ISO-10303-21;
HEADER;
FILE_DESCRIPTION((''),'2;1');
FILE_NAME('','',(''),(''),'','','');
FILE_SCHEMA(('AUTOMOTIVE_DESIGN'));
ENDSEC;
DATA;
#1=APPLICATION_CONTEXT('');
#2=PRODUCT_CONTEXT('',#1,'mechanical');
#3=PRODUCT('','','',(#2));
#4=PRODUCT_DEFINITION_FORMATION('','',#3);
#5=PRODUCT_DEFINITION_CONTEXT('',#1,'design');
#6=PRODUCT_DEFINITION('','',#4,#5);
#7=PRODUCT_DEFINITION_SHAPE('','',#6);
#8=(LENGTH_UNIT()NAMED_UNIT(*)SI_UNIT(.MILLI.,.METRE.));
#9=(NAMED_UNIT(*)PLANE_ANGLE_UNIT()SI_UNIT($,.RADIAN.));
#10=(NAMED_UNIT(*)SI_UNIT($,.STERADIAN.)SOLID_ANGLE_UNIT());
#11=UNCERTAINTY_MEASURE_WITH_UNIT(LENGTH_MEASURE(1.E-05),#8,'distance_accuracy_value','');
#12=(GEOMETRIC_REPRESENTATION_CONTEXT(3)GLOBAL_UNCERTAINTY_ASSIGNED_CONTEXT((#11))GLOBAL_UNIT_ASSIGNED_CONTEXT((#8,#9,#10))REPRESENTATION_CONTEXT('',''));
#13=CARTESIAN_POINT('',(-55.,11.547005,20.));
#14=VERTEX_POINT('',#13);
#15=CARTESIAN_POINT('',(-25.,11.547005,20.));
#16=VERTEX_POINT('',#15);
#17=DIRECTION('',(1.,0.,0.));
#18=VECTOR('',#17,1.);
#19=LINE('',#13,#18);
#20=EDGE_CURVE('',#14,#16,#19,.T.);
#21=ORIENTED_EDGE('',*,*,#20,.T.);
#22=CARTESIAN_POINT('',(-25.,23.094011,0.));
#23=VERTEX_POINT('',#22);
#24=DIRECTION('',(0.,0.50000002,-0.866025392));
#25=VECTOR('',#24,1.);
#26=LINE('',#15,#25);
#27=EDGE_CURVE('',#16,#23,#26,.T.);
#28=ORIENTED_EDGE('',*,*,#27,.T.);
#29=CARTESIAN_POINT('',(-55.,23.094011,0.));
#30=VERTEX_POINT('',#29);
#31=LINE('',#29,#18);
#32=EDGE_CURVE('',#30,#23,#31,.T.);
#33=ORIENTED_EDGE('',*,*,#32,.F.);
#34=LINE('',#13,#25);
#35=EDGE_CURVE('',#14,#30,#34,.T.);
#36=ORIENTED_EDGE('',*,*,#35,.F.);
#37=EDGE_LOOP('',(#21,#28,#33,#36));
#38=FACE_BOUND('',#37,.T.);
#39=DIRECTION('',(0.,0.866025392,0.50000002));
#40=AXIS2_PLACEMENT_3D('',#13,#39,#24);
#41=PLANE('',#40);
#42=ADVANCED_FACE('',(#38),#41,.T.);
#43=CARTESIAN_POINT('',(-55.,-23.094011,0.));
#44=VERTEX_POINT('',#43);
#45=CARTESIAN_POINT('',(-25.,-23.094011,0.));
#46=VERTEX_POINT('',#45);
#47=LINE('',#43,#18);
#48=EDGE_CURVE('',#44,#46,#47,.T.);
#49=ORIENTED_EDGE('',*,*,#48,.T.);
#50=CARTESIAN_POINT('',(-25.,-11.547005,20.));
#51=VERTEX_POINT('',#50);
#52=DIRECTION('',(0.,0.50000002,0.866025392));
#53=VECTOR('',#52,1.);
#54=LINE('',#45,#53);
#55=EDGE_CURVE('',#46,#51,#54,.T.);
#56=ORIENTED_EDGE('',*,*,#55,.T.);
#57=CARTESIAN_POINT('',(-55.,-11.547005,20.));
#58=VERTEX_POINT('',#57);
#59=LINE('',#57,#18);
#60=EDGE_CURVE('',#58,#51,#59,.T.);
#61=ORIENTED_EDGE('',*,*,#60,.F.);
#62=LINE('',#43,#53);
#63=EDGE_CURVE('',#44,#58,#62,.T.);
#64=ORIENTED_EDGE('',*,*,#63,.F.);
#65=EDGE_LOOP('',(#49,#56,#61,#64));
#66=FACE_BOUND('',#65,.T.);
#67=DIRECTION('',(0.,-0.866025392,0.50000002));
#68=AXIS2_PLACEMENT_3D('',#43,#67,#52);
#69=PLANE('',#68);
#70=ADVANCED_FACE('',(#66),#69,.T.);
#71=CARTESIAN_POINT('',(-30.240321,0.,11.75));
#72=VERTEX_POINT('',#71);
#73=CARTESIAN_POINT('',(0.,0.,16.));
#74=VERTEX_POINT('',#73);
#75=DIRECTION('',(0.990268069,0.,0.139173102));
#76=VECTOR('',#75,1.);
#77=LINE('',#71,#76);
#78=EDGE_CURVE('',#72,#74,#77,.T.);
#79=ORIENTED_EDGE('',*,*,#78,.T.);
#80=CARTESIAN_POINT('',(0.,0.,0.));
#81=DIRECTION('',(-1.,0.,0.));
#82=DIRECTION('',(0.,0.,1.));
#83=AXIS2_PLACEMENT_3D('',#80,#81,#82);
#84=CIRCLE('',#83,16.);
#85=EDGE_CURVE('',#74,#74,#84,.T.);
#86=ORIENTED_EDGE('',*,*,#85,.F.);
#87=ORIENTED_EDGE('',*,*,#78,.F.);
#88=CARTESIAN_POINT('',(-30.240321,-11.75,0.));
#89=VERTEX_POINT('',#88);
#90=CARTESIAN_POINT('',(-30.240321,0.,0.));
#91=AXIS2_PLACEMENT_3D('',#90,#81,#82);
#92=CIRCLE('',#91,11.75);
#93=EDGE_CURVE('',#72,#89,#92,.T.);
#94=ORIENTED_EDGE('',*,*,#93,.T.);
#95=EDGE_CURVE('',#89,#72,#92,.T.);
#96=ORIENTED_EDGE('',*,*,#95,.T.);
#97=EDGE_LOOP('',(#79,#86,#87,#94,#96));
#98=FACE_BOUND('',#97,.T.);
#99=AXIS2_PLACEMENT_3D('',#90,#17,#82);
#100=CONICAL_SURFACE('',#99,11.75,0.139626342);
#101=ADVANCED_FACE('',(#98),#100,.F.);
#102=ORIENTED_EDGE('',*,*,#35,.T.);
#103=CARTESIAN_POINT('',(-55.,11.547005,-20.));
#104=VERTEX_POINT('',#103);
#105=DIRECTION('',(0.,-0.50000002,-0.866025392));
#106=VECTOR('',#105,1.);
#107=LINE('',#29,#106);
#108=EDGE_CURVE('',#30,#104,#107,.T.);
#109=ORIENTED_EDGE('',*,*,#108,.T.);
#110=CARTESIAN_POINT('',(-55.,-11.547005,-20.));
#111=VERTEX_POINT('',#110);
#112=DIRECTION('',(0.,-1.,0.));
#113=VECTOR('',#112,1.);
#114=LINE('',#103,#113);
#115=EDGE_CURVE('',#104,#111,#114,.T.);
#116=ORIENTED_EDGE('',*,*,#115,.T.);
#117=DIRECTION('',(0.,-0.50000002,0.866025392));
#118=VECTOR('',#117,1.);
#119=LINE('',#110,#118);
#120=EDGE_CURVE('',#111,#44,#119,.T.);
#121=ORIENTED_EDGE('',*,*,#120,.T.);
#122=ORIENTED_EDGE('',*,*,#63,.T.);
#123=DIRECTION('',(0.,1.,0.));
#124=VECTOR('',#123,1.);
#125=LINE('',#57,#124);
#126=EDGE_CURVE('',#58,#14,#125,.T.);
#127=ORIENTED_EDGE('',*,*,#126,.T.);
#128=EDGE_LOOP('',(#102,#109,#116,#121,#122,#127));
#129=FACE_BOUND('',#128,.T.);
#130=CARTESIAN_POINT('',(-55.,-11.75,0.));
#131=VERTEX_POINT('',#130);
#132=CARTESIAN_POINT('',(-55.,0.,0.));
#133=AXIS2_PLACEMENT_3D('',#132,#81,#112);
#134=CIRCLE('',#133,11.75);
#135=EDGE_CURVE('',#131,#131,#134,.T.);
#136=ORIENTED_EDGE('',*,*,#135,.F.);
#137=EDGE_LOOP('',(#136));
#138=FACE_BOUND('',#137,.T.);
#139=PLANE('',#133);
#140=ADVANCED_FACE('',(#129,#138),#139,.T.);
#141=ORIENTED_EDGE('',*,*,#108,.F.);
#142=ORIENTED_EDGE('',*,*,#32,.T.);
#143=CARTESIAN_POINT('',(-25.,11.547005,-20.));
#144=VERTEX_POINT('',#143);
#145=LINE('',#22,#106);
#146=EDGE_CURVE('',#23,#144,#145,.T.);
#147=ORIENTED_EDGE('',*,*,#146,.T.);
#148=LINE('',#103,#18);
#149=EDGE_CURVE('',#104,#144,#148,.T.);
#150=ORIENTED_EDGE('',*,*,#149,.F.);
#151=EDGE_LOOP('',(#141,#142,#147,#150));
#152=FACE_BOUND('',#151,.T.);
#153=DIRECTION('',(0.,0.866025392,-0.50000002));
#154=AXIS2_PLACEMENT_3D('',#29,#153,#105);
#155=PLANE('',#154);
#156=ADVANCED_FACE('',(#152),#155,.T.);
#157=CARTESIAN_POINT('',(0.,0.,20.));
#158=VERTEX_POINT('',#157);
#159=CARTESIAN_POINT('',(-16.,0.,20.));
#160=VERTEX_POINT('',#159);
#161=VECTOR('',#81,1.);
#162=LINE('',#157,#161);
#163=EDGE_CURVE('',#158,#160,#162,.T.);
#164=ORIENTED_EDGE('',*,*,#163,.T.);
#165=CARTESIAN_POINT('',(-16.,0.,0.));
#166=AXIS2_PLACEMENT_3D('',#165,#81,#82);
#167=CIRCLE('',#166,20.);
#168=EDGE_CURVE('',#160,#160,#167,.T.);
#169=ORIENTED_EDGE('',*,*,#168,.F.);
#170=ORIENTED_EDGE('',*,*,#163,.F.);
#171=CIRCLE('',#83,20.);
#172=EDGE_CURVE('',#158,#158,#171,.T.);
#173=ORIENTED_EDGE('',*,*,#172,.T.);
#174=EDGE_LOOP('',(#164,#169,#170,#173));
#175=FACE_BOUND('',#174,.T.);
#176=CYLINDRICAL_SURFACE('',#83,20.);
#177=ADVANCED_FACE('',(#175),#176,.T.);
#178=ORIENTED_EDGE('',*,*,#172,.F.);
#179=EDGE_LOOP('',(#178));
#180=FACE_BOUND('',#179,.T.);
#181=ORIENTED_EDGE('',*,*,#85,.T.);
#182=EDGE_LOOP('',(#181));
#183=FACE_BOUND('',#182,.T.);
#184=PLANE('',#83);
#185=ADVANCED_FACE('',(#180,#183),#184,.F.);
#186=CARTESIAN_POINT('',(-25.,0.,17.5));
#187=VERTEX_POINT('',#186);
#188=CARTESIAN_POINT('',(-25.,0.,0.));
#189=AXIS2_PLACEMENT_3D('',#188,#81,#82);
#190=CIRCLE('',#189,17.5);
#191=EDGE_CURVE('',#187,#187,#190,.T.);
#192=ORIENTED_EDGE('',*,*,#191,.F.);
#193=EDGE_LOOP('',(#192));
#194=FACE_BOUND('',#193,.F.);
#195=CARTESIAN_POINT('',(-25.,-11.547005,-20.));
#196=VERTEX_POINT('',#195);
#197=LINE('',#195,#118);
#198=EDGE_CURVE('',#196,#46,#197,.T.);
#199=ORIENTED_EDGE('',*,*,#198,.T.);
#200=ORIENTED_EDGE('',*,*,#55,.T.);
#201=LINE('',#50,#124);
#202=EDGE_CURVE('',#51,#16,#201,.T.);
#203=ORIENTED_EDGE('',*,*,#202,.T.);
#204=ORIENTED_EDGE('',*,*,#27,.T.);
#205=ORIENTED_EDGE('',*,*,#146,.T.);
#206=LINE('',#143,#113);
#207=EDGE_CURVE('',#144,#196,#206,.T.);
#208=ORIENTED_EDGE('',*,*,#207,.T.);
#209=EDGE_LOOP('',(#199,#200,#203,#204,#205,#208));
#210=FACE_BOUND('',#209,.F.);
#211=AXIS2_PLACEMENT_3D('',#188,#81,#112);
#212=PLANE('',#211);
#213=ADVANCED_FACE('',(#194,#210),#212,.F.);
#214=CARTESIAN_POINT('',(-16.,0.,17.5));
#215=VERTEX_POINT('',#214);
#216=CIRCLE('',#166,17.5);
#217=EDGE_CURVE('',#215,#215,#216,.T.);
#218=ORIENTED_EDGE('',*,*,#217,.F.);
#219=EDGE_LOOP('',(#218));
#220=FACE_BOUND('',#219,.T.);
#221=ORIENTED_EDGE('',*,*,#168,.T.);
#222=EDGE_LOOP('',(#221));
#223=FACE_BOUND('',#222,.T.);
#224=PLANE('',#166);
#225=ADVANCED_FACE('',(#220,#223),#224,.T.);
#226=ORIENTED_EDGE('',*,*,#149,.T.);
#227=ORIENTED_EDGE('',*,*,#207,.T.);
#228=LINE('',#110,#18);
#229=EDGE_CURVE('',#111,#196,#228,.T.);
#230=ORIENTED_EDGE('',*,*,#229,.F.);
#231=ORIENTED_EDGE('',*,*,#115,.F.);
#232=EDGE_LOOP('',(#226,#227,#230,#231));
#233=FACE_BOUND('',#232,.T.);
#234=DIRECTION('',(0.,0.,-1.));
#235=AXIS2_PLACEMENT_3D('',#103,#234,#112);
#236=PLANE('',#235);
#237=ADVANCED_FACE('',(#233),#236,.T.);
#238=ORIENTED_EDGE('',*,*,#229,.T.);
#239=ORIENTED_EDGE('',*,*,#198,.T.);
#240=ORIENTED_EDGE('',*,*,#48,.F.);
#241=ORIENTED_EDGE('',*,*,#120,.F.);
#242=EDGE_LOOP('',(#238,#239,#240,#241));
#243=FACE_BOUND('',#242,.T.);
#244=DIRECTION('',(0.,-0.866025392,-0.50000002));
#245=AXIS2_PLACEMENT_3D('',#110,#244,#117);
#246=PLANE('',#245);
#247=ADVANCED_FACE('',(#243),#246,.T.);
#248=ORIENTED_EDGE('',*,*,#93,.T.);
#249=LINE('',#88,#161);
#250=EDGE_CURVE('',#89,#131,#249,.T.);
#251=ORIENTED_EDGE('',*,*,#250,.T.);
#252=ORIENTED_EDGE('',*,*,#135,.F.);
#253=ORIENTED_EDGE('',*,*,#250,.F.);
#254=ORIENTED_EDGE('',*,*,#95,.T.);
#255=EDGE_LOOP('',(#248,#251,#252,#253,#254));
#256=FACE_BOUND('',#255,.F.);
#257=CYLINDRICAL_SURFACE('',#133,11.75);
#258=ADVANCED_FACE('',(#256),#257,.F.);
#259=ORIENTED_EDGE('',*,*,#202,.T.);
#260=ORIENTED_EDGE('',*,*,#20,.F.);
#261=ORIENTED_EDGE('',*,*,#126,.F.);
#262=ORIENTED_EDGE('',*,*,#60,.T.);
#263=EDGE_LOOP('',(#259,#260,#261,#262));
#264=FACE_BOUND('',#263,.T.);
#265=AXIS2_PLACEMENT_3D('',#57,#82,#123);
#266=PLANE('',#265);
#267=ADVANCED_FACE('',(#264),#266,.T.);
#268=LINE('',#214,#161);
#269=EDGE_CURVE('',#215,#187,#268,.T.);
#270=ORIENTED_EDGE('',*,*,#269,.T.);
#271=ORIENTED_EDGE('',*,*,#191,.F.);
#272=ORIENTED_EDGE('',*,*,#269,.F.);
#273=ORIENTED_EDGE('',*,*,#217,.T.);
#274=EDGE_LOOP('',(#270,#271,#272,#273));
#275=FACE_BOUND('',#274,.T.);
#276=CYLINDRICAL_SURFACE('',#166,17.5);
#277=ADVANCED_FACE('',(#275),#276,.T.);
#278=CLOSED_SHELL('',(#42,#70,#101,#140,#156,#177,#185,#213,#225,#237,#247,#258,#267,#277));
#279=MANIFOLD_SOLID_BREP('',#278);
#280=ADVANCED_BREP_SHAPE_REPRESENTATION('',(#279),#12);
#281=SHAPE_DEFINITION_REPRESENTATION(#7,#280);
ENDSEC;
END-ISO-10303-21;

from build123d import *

# Parameters (mm, degrees)
F2_R     = 17.5
F3_DEPTH = 30
F4_R     = 11.75
F5_DEPTH = 55.001


with BuildPart() as f1:
    # F0 (on Front) → F1 (revolve)
    with BuildSketch(Plane.XZ):
        Polygon((-55, 17.5), (-55, 0), (-36.929604, 0), (-34, 11.75), (-30.240321, 11.75), (0, 16), (0, 20), (-16, 20), (-16, 17.5), align=None)
    revolve(axis=Axis((-27.5, 0, 0), (-1, 0, 0)))

    # F2 (on face) → F3 (join)
    with BuildSketch(Plane(origin=(-55, 0, 0), x_dir=(0, -1, 0), z_dir=(-1, 0, 0))):
        Polygon((11.547005, -20), (23.094011, 0), (11.547005, 20), (-11.547005, 20), (-23.094011, 0), (-11.547005, -20), align=None)
        Circle(F2_R, mode=Mode.SUBTRACT)
    extrude(amount=-F3_DEPTH)

    # F4 (on face) → F5 (cut, through all)
    with BuildSketch(Plane(origin=(-55, 0, 0), x_dir=(0, -1, 0), z_dir=(-1, 0, 0))):
        Circle(F4_R)
    extrude(amount=-F5_DEPTH, mode=Mode.SUBTRACT)


solid = f1.part
